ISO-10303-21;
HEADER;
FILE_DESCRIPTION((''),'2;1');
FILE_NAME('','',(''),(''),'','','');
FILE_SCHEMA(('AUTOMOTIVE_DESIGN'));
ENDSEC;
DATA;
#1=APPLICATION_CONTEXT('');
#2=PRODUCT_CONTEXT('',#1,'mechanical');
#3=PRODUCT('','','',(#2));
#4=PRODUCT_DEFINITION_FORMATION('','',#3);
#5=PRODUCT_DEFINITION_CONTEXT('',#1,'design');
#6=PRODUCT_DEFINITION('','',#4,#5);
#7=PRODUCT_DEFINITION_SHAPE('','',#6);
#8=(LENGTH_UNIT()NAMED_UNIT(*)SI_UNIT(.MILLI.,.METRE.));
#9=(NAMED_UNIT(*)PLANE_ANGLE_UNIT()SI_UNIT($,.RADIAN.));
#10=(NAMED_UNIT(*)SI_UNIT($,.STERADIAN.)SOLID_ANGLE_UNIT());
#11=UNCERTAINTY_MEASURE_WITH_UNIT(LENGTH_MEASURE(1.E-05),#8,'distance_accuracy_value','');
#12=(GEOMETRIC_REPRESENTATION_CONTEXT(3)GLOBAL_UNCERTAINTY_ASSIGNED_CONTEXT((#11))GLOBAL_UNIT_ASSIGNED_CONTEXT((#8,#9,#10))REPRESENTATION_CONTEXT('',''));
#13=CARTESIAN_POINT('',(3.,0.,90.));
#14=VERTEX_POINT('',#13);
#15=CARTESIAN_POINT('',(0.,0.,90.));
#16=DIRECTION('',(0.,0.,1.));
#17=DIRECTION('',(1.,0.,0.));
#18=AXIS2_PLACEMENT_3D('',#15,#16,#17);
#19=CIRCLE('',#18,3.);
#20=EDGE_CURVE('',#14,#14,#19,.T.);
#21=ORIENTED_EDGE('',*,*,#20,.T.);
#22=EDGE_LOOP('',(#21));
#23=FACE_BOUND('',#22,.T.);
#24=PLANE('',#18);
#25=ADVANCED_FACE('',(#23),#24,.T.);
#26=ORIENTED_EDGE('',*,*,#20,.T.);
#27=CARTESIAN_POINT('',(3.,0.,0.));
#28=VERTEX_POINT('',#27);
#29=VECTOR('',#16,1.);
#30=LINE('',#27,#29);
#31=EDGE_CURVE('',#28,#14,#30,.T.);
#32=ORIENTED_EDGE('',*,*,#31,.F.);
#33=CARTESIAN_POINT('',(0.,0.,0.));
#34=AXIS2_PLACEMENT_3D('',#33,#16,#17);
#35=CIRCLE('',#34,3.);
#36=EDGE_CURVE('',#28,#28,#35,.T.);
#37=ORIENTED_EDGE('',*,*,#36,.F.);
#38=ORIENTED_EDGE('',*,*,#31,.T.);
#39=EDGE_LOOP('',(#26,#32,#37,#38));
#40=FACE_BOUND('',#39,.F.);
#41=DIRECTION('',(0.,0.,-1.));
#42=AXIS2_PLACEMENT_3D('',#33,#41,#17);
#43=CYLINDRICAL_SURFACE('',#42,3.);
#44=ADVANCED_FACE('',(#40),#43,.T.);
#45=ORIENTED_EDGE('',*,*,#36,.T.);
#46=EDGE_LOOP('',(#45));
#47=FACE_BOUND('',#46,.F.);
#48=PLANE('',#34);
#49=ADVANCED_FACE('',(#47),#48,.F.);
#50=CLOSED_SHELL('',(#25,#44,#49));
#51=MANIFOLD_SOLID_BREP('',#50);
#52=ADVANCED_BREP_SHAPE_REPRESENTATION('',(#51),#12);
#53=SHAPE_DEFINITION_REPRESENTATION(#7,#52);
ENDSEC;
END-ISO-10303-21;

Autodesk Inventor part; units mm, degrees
ref_plane "YZ Plane" through (0, 0, 0) normal (1, 0, 0) x (0, 1, 0)
ref_plane "XZ Plane" through (0, 0, 0) normal (0, 1, 0) x (-1, 0, 0)
ref_plane "XY Plane" through (0, 0, 0) normal (0, 0, 1) x (1, 0, 0)
sketch "Sketch1" plane through (0, 0, 0) normal (0, 0, 1) x (1, 0, 0)
  circle A0 centre (0, 0) radius 3
  dimension "d0" = 6
extrude "Extrusion1" add sketch "Sketch1" along normal blind 90
properties part number "hridel_pro_kola"
